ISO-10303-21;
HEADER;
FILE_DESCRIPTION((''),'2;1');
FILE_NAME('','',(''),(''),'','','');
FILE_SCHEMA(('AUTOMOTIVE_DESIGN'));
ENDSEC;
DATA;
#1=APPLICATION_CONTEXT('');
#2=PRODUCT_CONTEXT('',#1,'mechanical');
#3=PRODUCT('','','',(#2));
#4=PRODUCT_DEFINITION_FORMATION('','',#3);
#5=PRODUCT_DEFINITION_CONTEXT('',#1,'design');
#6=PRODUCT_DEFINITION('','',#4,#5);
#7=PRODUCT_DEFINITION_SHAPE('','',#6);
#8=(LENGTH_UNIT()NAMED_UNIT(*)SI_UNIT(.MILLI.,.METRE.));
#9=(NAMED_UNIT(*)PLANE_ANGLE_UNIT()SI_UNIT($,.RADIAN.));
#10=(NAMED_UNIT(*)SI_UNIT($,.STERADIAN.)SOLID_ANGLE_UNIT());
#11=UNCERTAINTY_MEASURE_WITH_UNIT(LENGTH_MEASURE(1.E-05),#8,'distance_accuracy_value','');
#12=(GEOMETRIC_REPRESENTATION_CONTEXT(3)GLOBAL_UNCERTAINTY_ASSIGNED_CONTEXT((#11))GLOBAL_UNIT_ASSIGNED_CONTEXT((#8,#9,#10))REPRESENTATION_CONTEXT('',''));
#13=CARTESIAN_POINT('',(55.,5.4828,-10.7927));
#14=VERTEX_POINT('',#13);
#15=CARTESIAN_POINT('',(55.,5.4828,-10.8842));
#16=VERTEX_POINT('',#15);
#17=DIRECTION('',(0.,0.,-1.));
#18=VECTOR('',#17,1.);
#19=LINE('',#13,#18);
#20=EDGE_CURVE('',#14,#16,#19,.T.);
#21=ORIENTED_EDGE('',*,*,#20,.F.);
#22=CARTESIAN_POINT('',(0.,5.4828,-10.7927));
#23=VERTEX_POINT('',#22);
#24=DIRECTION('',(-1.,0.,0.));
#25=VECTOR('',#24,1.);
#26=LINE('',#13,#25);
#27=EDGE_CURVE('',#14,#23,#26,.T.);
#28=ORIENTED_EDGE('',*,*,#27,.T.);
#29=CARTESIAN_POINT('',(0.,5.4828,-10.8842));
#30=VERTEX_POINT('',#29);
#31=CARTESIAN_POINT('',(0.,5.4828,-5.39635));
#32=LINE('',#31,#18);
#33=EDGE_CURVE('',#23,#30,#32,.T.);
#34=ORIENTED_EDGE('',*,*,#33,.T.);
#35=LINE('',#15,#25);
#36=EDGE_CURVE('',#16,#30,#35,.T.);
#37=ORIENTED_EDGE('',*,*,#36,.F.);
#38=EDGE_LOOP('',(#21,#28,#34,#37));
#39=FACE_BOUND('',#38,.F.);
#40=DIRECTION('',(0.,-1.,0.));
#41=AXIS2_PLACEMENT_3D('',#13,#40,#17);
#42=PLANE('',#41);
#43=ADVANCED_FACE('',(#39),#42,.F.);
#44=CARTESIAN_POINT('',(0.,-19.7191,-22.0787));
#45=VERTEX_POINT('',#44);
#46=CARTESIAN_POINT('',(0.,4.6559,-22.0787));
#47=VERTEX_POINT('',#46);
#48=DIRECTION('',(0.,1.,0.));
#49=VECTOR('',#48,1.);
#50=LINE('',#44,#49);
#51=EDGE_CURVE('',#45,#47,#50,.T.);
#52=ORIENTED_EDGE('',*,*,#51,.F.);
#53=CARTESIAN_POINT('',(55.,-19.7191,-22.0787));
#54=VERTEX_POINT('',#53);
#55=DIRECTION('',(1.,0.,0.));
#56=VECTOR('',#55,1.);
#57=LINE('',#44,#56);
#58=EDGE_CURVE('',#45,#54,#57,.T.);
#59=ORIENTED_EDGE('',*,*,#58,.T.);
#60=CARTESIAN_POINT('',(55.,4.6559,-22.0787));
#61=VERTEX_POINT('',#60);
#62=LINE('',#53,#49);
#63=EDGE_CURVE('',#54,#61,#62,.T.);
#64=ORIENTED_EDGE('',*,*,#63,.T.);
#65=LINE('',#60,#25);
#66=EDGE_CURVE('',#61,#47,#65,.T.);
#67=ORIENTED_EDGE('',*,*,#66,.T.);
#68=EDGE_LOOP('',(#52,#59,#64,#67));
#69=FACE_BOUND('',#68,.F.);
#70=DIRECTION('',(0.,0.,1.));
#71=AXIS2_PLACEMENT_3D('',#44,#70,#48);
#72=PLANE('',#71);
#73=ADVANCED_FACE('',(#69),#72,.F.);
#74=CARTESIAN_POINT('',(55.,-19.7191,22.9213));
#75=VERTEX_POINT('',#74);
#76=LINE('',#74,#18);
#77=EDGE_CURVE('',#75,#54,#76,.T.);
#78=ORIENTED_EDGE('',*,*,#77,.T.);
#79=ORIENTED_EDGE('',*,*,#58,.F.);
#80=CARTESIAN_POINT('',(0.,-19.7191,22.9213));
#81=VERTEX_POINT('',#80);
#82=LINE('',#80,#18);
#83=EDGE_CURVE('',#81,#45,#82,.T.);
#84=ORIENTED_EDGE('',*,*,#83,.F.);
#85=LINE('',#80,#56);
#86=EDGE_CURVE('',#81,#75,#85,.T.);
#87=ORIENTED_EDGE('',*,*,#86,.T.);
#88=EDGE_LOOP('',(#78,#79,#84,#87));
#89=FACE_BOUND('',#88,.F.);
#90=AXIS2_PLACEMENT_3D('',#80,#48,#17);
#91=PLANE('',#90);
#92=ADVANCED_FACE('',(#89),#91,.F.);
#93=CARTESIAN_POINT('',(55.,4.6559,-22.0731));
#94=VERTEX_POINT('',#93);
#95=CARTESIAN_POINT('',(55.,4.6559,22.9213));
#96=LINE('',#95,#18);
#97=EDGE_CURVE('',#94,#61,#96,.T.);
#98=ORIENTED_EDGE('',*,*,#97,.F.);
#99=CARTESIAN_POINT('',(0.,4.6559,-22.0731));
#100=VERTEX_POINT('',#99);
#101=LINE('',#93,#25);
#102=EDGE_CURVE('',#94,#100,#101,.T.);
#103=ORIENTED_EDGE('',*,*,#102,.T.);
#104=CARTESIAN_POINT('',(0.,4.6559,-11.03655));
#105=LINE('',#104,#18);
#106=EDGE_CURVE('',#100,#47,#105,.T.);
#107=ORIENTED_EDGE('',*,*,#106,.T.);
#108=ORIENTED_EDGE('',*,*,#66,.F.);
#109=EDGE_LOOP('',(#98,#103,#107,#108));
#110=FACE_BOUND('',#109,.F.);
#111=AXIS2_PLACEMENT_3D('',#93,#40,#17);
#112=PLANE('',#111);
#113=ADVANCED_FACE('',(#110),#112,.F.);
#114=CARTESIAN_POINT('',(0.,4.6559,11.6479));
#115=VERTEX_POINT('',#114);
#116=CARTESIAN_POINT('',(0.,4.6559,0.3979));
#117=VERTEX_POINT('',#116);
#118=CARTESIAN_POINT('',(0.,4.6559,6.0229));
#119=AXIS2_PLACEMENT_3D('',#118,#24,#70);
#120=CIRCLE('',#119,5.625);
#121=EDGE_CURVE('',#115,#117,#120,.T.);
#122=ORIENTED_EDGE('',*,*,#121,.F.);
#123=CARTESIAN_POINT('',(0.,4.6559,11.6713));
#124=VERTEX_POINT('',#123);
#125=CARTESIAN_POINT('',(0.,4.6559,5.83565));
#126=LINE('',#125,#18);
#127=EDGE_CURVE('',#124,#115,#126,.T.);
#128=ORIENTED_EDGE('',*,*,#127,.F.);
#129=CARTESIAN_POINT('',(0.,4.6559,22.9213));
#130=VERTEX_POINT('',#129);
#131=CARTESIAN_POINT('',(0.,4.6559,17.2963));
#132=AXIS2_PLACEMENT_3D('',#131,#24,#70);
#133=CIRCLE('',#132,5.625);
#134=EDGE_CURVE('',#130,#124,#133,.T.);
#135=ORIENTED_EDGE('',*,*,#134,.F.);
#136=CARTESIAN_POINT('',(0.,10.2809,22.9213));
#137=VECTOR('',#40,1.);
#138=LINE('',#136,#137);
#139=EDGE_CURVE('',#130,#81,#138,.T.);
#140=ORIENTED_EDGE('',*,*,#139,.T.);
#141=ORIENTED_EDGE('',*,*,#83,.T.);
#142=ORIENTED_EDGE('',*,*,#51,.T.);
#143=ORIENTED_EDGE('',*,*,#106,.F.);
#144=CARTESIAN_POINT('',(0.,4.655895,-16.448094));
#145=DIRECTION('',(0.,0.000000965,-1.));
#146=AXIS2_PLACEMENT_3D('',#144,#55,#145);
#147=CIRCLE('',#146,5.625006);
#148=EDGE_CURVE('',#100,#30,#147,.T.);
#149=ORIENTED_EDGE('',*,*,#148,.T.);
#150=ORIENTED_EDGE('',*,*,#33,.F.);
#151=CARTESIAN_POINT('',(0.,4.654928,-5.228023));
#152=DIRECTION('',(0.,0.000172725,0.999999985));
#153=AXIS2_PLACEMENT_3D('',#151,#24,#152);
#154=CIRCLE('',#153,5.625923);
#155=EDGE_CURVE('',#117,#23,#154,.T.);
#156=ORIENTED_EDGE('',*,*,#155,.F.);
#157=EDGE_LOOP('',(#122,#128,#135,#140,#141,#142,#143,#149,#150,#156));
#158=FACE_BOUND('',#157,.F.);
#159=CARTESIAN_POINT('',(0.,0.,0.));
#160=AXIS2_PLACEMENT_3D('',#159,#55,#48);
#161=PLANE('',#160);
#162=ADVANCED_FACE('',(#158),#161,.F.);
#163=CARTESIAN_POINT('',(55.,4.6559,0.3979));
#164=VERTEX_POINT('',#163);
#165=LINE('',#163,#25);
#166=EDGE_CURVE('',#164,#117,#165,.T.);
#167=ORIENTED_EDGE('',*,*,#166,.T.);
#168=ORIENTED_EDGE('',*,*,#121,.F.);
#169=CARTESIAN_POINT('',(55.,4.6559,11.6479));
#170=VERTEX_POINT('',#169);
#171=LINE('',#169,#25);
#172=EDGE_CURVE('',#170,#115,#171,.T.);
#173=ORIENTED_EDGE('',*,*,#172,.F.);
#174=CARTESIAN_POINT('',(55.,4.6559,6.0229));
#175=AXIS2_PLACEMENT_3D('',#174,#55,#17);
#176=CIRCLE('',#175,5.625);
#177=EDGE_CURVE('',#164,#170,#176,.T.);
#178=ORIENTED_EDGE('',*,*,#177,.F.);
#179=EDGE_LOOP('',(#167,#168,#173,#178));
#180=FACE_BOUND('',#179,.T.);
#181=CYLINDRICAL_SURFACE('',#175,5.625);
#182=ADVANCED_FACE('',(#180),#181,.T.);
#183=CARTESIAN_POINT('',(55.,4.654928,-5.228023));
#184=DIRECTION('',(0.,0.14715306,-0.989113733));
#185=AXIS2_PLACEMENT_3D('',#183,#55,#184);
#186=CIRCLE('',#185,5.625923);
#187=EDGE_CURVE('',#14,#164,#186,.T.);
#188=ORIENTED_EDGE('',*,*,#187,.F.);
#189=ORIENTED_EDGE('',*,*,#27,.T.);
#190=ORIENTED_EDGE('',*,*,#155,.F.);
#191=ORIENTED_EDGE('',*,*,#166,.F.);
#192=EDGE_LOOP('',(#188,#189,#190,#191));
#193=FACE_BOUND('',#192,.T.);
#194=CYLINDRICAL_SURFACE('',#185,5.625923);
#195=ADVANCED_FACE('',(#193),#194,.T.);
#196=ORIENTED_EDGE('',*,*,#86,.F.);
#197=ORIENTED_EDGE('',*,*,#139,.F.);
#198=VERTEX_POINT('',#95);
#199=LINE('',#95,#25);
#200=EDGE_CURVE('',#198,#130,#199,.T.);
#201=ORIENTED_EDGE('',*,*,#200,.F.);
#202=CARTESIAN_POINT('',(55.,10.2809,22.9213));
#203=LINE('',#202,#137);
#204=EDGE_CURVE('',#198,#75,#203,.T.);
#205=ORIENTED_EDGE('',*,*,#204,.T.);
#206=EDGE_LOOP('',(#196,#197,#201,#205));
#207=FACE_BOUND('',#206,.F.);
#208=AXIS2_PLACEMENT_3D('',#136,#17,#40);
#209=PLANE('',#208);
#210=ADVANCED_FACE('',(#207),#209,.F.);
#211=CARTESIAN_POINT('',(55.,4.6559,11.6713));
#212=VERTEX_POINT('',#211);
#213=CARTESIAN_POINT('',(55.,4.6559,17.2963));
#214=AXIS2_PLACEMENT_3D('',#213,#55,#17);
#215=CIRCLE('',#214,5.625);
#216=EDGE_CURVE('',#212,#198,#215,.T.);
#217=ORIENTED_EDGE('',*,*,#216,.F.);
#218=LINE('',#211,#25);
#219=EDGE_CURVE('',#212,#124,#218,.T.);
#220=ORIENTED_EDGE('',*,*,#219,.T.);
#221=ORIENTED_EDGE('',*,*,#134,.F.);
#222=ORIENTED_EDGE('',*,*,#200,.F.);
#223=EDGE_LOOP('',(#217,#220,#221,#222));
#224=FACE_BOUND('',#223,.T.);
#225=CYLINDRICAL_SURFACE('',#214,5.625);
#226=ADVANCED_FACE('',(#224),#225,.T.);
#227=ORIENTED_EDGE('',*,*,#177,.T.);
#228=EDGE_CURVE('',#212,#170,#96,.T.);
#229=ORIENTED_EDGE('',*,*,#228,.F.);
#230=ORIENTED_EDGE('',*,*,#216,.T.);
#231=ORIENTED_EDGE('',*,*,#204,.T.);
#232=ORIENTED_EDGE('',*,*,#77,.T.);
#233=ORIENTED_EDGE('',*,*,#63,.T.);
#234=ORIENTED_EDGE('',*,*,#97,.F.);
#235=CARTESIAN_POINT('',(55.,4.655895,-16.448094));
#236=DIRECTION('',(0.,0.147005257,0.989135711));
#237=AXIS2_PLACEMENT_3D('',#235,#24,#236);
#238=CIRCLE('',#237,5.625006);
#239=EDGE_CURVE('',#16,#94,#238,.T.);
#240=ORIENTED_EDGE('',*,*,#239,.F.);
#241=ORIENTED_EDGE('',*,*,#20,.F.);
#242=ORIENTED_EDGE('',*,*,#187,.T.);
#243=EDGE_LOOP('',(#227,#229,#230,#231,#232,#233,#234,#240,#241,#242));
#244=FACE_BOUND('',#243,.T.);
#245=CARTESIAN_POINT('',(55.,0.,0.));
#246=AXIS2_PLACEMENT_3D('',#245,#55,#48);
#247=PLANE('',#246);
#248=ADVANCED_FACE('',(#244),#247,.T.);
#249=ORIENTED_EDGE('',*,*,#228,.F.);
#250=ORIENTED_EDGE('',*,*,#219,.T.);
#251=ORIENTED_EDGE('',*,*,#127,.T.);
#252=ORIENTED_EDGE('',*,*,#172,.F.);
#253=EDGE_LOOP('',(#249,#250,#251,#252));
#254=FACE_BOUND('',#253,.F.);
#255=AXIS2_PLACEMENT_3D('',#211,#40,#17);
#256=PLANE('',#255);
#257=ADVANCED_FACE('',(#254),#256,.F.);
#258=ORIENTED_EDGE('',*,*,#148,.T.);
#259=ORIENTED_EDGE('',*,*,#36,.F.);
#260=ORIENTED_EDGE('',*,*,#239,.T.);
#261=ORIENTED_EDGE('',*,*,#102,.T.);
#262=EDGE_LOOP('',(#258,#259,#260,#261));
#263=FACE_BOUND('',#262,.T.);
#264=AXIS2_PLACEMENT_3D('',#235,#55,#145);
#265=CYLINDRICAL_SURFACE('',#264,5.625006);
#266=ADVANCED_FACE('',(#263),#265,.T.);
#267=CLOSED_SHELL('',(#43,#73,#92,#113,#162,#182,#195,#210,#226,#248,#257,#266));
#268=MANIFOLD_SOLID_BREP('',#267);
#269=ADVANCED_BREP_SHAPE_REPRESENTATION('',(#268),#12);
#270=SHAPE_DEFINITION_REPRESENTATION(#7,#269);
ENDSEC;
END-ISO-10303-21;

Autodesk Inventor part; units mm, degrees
ref_plane "YZ Plane" through (0, 0, 0) normal (1, 0, 0) x (0, 1, 0)
ref_plane "XZ Plane" through (0, 0, 0) normal (0, 1, 0) x (-1, 0, 0)
ref_plane "XY Plane" through (0, 0, 0) normal (0, 0, 1) x (1, 0, 0)
sketch "Sketch1" plane through (0, 0, 0) normal (1, 0, 0) x (0, 1, 0)
  point P0 (0, 0)
sketch "Sketch2" plane through (0, 0, 0) normal (1, 0, 0) x (0, 1, 0)
  line L0 (10.2809, 22.9213) -> (-19.7191, 22.9213)
  line L1 (-19.7191, 22.9213) -> (-19.7191, -22.0787)
  line L2 (-19.7191, -22.0787) -> (10.2809, -22.0787)
  line L3 (10.2809, -22.0787) -> (10.2809, 22.9213)
  point P0 (0, 0)
  dimension "d0" = 45
  dimension "d1" = 30
extrude "Extrusion1" add sketch "Sketch2" along normal blind 55
sketch "Sketch3" plane through (55, 0, 0) normal (1, 0, 0) x (0, 0, -1)
  point P0 (0, 0)
sketch "Sketch4" plane through (55, 0, 0) normal (1, 0, 0) x (0, 0, -1)
  arc A0 (-11.6713, 4.6559) -> (-22.9213, 4.6559) centre (-17.2963, 4.6559) ccw
  line L0 (-22.9213, 10.2809) -> (-22.9213, -19.7191) projected
  line L1 (22.0787, 10.2809) -> (-22.9213, 10.2809) projected
  arc A1 (-0.3979, 4.6559) -> (-11.6479, 4.6559) centre (-6.0229, 4.6559) ccw
  arc A2 (10.7927, 5.4828) -> (-0.3962, 4.6559) centre (5.2288, 4.6559) ccw
  arc A3 (22.0731, 4.6559) -> (10.8842, 5.4828) centre (16.4481, 4.6559) ccw
  line L2 (-22.9213, 4.6559) -> (-22.9213, 10.2809)
  line L3 (-22.9213, 10.2809) -> (22.0787, 10.2809)
  line L4 (22.0787, 10.2809) -> (22.0787, 4.6559)
  line L5 (22.0787, -19.7191) -> (22.0787, 10.2809) projected
  line L6 (10.7927, 5.4828) -> (10.8842, 5.4828)
  line L7 (-22.9213, 4.6559) -> (22.0787, 4.6559)
  point P0 (0, 0)
  dimension "d4" = 11.25
  dimension "d5" = 11.25
  dimension "d6" = 11.25
  dimension "d7" = 11.25
extrude "Extrusion2" cut sketch "Sketch4" against normal blind 60 contours A0 L1 A1 L7 | A0 L0 L1 | L1 A2 A1 | L1 A3 L6 A2 | A3 L1 L4 L7
properties part number "Battery Box"
